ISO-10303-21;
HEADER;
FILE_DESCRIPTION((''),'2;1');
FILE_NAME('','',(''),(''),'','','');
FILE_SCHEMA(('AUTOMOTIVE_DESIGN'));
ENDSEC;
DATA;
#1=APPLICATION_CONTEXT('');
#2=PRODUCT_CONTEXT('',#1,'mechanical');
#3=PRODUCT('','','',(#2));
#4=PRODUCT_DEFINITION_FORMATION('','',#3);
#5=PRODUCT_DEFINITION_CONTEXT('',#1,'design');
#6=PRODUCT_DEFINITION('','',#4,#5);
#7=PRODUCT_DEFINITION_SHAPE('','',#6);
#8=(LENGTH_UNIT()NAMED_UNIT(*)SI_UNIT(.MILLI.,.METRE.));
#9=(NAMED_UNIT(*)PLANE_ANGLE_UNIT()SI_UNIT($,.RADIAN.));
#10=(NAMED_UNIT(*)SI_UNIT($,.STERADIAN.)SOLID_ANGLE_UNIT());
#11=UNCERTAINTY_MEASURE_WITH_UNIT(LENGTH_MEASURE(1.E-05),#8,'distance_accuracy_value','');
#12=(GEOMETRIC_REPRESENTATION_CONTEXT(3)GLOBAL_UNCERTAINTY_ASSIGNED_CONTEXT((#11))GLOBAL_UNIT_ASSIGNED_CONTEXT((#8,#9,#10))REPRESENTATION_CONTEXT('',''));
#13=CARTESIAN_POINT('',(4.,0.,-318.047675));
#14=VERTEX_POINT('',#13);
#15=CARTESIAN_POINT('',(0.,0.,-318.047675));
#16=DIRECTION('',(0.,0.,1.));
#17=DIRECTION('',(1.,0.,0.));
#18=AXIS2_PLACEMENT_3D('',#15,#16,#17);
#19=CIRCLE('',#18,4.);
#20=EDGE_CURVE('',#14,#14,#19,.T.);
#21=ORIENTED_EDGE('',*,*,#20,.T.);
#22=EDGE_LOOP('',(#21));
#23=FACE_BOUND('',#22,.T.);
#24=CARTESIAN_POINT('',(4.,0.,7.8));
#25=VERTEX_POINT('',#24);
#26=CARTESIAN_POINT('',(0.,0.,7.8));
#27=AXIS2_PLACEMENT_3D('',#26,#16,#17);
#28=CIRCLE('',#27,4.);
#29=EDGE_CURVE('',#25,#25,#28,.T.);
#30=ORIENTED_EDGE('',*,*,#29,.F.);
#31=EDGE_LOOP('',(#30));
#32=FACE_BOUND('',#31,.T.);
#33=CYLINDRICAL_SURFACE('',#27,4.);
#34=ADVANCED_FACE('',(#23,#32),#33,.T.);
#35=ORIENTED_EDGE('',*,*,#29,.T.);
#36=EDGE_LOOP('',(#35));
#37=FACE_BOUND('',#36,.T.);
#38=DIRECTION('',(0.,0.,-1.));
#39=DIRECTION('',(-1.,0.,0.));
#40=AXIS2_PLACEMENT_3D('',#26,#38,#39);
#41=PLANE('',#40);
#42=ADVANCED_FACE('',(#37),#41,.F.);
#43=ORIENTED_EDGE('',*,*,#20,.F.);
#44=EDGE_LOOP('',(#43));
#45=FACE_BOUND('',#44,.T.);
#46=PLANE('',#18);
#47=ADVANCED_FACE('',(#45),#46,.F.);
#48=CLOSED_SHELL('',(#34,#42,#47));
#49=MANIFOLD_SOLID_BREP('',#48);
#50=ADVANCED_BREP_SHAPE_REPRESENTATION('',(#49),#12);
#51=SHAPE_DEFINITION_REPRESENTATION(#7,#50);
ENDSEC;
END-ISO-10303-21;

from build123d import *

# Parameters (mm, degrees)
SKETCH2_W = 325.847675392
SKETCH2_H = 4


with BuildPart() as part:
    # Sketch2 → Revolve1 (revolve)
    with BuildSketch(Plane(origin=(0, 0, 0), x_dir=(0, 0, -1), z_dir=(1, 0, 0))):
        with Locations((155.123837696, 2)):
            Rectangle(SKETCH2_W, SKETCH2_H)
    revolve(axis=Axis((0, 0, 7.8), (0, 0, -1)))


solid = part.part
